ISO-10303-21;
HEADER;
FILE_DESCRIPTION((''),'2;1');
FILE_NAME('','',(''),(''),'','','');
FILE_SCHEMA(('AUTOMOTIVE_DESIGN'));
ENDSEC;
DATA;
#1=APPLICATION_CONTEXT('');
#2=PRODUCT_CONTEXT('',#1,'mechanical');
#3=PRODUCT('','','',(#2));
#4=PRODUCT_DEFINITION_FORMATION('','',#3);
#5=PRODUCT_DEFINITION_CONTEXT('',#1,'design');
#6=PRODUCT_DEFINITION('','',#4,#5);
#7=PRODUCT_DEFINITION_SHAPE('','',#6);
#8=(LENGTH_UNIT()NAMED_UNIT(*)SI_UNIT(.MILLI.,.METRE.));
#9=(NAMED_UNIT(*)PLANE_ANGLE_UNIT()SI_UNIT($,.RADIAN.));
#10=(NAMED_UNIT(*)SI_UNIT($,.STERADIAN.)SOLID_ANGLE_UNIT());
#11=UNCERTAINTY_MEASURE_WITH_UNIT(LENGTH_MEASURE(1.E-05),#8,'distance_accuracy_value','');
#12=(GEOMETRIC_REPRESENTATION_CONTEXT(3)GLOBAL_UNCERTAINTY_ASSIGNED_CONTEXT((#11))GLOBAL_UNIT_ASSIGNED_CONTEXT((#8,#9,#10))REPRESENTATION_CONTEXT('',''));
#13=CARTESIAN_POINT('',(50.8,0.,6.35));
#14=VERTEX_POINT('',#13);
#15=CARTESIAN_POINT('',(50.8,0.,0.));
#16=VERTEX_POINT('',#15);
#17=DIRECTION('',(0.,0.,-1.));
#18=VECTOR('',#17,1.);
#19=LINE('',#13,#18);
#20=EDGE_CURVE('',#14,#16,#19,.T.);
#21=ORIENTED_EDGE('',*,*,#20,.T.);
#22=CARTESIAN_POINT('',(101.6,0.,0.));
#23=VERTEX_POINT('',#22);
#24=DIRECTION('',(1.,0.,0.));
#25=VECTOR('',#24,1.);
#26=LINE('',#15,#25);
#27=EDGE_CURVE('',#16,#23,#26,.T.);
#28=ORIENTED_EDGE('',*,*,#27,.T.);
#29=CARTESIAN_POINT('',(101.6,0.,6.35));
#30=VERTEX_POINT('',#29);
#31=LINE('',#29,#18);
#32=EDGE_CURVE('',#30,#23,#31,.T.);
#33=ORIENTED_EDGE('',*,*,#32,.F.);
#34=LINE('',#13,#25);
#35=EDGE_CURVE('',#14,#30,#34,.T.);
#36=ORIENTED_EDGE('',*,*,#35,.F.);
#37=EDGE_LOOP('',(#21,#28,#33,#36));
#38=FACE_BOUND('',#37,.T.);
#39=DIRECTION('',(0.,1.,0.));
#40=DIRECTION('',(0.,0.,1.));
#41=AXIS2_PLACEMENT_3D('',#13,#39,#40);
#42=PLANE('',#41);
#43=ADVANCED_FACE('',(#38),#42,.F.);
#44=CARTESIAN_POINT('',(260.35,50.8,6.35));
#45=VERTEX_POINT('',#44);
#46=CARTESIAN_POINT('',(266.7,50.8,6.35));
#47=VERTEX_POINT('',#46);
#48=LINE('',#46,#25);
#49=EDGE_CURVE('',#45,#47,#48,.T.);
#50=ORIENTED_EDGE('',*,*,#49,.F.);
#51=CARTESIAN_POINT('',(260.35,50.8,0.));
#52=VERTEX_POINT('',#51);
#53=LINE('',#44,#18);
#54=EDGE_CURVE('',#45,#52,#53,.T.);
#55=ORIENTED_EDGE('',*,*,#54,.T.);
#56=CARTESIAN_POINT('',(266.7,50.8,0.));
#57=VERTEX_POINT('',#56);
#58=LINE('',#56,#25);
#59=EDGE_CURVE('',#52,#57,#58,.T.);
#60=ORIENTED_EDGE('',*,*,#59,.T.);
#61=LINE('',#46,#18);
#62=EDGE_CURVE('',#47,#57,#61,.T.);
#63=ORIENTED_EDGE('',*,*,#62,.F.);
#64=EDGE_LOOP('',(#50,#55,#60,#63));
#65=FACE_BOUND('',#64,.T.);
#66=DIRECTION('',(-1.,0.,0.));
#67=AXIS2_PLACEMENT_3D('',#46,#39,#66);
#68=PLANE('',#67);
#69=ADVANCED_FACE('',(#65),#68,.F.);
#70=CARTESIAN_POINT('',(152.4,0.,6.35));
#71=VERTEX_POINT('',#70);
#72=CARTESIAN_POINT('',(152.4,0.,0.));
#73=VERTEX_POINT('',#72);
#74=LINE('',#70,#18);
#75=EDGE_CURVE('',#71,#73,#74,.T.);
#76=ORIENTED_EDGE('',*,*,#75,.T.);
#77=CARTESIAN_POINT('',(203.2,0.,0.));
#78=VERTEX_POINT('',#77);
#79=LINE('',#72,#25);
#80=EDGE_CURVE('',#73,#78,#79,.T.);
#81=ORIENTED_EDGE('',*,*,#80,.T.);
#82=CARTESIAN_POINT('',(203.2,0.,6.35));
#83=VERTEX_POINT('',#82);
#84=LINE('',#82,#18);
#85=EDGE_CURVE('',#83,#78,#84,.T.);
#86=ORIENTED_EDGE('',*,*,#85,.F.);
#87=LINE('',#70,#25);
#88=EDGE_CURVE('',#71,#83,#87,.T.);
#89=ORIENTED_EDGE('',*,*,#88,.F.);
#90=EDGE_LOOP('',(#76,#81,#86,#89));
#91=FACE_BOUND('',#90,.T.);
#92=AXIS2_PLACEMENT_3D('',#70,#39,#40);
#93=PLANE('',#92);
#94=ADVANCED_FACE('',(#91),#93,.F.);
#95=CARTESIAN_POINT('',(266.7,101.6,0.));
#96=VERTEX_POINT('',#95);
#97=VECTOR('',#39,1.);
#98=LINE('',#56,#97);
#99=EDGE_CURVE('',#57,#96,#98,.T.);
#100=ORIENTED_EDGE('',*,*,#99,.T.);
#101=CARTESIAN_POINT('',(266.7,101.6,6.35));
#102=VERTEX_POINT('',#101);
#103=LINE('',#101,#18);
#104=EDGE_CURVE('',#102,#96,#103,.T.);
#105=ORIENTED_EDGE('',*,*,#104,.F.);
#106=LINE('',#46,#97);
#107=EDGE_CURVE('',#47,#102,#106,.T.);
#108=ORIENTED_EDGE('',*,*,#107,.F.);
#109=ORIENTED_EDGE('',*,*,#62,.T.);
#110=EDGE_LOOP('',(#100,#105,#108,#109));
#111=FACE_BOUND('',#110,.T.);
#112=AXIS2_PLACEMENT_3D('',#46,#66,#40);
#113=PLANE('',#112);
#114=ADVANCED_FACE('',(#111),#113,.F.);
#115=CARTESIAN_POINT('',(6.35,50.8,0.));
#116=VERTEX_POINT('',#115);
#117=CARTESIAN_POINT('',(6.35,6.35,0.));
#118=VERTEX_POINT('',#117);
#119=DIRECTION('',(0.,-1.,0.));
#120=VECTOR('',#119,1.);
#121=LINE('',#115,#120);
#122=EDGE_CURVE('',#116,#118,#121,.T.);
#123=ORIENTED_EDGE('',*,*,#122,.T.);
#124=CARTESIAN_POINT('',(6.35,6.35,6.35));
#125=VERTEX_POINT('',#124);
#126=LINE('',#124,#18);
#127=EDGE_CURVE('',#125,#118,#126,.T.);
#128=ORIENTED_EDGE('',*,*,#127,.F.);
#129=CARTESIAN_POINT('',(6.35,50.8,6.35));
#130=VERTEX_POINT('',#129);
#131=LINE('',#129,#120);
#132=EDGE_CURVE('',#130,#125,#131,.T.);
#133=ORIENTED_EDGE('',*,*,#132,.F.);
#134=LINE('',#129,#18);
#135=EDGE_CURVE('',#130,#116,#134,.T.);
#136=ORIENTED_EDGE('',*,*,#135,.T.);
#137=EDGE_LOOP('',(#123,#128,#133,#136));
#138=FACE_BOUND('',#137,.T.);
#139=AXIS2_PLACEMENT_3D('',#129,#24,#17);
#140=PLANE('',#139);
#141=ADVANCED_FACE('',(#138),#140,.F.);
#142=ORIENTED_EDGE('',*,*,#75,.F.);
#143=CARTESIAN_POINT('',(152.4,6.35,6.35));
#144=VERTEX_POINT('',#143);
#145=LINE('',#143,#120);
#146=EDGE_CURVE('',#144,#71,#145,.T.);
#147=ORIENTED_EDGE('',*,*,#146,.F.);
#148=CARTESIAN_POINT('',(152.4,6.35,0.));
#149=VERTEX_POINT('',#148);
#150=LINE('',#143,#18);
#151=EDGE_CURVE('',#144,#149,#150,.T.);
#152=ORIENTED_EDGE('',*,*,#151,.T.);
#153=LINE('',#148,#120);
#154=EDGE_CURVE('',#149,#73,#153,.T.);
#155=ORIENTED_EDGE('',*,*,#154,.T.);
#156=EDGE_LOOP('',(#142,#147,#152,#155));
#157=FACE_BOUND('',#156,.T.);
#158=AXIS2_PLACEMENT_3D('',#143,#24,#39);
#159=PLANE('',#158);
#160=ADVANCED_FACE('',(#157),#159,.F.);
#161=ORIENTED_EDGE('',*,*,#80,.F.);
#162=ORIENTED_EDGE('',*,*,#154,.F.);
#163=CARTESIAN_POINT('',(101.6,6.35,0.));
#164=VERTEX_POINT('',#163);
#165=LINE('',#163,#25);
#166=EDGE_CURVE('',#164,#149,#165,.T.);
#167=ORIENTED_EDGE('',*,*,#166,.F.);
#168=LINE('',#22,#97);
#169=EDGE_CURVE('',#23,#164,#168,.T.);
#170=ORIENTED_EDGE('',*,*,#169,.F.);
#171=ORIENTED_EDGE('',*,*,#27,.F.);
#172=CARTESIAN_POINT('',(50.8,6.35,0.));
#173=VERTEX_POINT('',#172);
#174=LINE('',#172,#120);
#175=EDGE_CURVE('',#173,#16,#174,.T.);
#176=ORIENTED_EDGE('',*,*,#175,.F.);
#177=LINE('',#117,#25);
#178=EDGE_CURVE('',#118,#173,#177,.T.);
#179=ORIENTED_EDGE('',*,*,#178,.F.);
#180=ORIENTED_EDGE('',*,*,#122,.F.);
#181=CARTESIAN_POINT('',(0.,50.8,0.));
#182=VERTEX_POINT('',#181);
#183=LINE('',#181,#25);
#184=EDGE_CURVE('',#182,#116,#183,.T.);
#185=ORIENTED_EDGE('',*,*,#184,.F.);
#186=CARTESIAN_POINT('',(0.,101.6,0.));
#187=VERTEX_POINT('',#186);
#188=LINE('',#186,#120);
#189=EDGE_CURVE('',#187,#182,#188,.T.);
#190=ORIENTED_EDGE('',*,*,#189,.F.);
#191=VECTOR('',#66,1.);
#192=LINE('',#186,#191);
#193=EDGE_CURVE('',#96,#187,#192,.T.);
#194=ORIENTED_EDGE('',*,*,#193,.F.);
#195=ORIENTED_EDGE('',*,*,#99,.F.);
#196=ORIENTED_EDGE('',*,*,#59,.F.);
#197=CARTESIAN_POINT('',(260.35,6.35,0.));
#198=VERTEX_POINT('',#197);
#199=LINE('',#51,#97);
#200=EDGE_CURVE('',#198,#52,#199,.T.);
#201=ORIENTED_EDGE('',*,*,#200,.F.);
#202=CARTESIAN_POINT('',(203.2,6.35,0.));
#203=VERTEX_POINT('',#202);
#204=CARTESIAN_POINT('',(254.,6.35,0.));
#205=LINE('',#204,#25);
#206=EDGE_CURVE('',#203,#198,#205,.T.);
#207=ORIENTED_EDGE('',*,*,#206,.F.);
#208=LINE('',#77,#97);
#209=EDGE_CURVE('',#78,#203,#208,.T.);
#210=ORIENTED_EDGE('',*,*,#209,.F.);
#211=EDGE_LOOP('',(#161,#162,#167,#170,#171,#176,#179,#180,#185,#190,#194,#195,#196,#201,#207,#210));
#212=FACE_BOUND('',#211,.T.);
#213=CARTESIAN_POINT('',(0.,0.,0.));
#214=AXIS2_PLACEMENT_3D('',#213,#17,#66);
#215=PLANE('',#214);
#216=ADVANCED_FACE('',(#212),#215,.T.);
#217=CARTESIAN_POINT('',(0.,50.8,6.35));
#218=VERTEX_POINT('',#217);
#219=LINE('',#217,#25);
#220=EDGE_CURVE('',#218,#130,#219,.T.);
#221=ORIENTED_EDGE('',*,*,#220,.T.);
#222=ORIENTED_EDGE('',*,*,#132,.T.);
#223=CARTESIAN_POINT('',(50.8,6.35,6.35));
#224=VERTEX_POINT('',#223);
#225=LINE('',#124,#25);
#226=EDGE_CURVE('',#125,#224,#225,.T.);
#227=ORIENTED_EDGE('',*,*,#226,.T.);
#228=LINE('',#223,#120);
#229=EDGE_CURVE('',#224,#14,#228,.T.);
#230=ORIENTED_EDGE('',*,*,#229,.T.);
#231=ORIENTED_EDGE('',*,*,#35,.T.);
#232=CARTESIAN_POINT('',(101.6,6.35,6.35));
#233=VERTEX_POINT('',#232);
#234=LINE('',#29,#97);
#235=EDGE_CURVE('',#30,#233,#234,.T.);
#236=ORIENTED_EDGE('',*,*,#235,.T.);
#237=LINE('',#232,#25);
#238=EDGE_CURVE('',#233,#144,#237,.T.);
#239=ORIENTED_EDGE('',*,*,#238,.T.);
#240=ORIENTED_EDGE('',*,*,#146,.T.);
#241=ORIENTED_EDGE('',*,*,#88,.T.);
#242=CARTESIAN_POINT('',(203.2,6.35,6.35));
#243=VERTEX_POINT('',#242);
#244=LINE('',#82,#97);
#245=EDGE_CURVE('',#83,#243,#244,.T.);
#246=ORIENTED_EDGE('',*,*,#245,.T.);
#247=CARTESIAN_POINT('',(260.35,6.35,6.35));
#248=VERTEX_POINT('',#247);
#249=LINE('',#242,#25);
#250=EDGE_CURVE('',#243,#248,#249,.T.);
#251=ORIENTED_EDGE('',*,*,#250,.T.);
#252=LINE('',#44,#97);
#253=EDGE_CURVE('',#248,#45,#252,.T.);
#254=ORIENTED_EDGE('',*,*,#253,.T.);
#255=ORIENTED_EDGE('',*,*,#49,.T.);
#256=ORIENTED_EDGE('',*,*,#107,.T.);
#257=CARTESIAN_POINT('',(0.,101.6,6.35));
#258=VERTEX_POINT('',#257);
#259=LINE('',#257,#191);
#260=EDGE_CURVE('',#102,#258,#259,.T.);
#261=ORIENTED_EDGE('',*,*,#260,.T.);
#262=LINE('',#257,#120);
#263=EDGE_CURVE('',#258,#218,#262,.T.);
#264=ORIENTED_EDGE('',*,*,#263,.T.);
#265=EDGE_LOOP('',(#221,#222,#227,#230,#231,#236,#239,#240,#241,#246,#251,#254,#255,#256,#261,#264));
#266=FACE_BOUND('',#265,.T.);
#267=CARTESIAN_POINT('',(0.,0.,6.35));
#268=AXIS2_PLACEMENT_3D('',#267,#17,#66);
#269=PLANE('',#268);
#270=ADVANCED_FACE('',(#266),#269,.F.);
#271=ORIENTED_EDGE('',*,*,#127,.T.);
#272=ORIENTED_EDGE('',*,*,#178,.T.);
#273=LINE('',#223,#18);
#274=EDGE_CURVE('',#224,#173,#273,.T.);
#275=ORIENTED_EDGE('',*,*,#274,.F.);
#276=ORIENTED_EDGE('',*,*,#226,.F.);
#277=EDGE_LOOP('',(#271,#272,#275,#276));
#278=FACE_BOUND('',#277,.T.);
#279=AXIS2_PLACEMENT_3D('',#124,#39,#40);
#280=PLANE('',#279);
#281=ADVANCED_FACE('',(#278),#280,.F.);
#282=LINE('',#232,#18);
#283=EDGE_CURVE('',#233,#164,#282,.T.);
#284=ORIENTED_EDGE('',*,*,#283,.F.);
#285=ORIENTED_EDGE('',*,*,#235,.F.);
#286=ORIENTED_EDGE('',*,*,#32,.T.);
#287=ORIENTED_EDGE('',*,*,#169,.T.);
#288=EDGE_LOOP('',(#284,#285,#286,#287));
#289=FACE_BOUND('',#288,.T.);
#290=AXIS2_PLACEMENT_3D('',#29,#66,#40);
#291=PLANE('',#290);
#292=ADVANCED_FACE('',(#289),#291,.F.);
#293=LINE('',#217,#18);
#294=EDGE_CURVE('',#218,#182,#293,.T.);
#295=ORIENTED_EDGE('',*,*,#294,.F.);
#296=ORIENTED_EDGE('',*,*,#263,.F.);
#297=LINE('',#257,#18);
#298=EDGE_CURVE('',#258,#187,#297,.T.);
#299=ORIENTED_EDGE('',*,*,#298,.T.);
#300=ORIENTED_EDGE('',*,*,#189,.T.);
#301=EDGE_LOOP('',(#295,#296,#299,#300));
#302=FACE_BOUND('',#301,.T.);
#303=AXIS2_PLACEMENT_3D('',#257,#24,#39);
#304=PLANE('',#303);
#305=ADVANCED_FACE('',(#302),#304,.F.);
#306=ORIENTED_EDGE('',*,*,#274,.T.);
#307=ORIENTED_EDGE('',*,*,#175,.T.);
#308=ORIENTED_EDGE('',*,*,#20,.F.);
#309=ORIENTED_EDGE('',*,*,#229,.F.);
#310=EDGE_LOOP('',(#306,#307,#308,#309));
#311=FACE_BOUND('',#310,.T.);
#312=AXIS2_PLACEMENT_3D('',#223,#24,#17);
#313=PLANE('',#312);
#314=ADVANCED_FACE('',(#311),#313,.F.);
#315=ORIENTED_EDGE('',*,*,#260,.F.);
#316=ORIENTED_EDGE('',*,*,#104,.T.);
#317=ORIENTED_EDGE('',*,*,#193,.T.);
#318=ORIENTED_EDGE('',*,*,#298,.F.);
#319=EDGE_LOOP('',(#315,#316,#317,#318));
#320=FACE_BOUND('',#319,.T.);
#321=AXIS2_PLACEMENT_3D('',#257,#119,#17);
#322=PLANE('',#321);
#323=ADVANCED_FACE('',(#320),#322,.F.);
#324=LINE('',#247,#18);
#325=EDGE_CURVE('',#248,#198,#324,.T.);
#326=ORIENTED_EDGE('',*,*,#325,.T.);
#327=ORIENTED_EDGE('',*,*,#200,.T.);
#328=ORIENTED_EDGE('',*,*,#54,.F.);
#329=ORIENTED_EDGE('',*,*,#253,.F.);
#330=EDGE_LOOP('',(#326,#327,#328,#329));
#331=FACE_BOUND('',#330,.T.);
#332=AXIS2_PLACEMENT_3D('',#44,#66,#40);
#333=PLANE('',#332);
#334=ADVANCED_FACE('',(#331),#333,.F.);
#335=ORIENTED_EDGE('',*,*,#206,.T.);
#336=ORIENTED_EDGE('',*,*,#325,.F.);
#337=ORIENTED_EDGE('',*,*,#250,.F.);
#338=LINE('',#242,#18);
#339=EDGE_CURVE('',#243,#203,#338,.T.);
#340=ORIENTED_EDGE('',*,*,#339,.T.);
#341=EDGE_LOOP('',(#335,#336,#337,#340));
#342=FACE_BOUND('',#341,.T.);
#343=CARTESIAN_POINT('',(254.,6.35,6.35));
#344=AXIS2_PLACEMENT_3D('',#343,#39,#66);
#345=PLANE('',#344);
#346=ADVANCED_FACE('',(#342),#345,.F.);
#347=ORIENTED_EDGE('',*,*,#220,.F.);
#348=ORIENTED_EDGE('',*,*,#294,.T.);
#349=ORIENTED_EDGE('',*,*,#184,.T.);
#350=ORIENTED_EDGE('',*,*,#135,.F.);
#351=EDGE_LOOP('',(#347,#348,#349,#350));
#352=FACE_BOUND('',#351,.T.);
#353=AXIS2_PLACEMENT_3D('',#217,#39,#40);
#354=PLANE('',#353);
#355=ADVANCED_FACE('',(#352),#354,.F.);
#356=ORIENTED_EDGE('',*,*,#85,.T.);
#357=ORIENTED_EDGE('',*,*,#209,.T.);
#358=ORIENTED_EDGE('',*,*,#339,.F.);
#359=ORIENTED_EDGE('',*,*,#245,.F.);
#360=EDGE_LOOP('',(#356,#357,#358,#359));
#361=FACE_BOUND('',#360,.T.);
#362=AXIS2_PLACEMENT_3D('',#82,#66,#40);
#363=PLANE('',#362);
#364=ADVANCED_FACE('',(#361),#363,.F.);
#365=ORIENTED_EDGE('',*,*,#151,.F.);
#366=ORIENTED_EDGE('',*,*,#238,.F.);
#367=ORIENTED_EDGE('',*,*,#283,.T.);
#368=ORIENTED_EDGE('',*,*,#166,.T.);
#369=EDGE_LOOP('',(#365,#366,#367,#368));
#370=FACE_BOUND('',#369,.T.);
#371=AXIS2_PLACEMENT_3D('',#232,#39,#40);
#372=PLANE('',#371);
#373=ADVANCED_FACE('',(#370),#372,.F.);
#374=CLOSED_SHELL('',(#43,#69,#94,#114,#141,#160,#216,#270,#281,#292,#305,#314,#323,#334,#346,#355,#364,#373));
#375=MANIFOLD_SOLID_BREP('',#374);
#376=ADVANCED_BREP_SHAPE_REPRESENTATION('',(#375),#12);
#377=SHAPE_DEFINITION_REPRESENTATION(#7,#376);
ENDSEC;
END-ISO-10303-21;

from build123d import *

# Parameters (mm, degrees)
BOSS_EXTRUDE1_DEPTH = 6.35


with BuildPart() as part:
    # Sketch1 → Boss-Extrude1 (new body)
    with BuildSketch(Plane.XY):
        Polygon((0, 101.6), (0, 50.8), (6.35, 50.8), (6.35, 6.35), (50.8, 6.35), (50.8, 0), (101.6, 0), (101.6, 6.35), (152.4, 6.35), (152.4, 0), (203.2, 0), (203.2, 6.35), (254, 6.35), (260.35, 6.35), (260.35, 50.8), (266.7, 50.8), (266.7, 101.6), align=None)
    extrude(amount=BOSS_EXTRUDE1_DEPTH)


solid = part.part
